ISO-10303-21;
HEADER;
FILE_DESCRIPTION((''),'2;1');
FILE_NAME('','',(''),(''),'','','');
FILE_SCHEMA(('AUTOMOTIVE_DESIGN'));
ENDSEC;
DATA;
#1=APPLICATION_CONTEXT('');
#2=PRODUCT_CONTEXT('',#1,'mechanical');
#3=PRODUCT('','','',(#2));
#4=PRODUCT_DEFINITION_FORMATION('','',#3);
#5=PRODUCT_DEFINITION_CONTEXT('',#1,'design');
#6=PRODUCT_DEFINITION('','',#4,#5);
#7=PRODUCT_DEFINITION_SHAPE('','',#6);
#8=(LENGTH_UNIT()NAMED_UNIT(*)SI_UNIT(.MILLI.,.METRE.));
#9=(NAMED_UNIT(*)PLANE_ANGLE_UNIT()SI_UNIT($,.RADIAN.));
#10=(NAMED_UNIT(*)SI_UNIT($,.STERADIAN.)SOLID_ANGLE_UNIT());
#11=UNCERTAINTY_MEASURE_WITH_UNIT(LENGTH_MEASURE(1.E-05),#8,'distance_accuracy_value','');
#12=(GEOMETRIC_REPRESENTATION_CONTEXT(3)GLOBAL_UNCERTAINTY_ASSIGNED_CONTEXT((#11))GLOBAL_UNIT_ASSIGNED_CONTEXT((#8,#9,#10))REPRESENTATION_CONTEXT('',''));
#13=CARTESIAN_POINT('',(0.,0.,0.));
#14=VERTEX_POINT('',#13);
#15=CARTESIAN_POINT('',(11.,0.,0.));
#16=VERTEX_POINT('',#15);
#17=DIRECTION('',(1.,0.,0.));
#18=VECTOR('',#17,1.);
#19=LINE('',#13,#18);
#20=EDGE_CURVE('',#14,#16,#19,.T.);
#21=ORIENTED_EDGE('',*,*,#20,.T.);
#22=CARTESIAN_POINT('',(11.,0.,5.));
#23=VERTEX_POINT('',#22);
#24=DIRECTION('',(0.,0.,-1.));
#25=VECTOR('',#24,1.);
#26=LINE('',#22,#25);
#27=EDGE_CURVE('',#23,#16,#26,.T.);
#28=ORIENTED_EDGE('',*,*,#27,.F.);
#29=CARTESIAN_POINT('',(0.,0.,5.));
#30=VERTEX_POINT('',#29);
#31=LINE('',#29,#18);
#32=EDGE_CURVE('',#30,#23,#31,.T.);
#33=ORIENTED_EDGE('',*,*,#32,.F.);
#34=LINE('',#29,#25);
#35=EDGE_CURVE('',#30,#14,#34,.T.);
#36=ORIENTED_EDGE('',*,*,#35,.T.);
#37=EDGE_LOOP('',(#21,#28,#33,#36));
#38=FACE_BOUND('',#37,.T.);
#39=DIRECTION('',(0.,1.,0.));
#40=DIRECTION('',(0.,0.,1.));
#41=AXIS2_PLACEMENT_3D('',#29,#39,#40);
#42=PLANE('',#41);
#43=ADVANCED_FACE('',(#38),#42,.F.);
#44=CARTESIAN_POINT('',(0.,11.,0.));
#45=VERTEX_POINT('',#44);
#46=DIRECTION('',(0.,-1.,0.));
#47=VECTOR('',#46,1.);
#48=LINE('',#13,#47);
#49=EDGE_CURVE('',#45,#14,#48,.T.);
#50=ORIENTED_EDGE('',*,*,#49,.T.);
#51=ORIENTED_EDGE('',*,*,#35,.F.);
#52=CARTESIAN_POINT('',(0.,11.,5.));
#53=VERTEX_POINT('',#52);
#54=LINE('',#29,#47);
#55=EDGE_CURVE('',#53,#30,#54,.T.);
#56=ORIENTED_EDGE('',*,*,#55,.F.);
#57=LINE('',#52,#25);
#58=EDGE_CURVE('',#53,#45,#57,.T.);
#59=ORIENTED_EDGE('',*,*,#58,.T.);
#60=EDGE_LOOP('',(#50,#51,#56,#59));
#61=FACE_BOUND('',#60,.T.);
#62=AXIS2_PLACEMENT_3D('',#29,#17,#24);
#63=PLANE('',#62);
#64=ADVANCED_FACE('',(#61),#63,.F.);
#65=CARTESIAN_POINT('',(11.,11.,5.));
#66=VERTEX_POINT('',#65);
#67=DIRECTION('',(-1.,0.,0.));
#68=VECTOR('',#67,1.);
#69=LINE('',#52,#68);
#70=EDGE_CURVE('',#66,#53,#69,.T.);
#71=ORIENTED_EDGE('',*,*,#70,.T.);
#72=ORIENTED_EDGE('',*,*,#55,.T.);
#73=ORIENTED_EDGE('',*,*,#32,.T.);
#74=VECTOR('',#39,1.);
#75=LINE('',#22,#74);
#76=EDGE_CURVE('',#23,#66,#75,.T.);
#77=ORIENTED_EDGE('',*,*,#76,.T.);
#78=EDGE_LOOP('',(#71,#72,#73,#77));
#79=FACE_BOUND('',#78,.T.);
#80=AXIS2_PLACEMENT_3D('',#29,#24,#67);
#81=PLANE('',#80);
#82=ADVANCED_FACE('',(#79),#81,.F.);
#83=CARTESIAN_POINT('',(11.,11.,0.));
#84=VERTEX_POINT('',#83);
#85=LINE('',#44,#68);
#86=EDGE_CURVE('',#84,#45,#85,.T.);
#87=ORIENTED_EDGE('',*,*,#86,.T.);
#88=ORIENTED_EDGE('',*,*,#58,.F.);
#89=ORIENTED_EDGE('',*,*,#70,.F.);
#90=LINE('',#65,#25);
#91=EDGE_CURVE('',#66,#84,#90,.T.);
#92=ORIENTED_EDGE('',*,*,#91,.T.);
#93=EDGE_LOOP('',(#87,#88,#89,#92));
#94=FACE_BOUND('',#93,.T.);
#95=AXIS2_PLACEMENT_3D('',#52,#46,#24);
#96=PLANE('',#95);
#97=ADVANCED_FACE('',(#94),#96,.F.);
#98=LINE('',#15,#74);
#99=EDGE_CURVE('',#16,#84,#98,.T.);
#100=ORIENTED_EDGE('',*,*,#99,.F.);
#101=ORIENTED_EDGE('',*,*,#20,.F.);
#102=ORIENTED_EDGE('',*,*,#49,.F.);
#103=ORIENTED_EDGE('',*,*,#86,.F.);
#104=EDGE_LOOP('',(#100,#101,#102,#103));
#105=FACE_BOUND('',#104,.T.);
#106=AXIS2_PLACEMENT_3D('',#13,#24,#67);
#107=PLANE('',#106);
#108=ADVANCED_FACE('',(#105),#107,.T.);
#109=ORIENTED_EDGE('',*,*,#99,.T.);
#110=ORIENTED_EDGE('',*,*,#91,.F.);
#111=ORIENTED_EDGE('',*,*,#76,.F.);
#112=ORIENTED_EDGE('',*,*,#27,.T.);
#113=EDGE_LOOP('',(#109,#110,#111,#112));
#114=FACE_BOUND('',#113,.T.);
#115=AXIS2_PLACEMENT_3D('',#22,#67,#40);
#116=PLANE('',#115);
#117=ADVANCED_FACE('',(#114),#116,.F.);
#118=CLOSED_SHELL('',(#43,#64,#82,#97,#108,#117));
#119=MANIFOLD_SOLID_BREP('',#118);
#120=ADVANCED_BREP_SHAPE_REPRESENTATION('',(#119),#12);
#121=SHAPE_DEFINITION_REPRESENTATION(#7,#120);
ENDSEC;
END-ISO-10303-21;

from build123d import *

# Parameters (mm, degrees)
EDRAWING_W     = 11
EDRAWING_H     = 11
EXTRUDE1_DEPTH = 5


with BuildPart() as part:
    # edrawing → extrude1 (new body)
    with BuildSketch(Plane.XY):
        with Locations((5.5, 5.5)):
            Rectangle(EDRAWING_W, EDRAWING_H)
    extrude(amount=EXTRUDE1_DEPTH)


solid = part.part
